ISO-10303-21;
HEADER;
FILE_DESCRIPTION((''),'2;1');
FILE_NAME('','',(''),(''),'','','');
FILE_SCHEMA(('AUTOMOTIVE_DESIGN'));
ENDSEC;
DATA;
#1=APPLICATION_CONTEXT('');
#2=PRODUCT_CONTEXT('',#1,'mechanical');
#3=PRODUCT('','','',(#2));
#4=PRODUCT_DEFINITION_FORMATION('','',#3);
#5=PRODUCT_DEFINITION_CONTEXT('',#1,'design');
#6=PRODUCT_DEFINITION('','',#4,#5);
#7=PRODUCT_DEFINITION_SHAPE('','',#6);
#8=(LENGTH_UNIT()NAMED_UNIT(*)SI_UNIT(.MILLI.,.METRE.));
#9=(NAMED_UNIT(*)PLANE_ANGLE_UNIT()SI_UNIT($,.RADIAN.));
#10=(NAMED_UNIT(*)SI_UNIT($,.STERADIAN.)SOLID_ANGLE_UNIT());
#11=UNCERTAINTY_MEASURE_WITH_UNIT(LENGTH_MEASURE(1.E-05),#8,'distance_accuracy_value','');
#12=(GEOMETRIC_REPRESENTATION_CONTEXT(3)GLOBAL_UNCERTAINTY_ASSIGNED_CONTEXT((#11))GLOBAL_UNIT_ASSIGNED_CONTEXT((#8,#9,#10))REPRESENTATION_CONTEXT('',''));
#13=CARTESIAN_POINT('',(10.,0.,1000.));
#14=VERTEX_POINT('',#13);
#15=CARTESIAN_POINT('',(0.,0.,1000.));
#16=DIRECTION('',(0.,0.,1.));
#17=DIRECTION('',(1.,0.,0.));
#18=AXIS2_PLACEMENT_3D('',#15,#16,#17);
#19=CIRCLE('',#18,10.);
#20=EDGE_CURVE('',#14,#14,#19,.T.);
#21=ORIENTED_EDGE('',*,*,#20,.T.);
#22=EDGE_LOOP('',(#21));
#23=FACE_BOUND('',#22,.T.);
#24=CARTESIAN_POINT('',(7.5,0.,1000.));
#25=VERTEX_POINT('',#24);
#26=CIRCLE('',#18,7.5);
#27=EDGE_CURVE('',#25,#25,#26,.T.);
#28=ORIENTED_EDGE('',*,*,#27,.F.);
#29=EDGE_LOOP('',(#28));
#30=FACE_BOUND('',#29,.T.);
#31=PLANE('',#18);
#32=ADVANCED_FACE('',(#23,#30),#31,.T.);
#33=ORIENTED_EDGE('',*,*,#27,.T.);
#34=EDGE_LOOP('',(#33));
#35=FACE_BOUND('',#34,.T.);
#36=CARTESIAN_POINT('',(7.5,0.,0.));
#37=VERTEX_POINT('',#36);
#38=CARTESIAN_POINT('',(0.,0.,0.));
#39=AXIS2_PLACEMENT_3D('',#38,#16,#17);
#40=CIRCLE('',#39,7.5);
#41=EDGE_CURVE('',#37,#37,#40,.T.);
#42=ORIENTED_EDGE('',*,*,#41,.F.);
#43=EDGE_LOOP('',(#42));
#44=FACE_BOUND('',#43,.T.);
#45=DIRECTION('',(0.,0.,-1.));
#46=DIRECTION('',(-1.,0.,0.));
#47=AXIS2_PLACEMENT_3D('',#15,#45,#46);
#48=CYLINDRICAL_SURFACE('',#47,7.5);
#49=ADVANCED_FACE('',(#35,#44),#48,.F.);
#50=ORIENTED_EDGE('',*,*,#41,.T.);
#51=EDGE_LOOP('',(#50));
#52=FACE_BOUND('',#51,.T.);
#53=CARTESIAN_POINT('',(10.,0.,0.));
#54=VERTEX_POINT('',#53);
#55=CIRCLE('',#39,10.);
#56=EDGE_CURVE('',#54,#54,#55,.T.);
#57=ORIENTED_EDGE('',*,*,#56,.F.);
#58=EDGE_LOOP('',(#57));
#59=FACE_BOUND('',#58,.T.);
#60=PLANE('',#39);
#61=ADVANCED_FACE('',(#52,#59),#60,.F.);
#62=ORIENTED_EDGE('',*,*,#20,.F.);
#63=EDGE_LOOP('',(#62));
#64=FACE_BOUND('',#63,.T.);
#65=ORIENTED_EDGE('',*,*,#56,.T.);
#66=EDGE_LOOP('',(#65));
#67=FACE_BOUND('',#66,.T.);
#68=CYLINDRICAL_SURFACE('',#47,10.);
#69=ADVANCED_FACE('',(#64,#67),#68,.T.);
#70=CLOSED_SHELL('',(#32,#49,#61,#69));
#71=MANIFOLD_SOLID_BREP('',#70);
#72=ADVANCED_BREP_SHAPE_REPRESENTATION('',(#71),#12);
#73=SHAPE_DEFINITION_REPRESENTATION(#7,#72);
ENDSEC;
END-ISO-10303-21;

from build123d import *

# Parameters (mm, degrees)
SKETCH_1_R      = 10
SKETCH_1_R_2    = 7.5
EXTRUDE_1_DEPTH = 1000


with BuildPart() as part:
    # 草图1 → 凸台-拉伸1 (new body)
    with BuildSketch(Plane.XY):
        Circle(SKETCH_1_R)
        Circle(SKETCH_1_R_2, mode=Mode.SUBTRACT)
    extrude(amount=EXTRUDE_1_DEPTH)


solid = part.part
